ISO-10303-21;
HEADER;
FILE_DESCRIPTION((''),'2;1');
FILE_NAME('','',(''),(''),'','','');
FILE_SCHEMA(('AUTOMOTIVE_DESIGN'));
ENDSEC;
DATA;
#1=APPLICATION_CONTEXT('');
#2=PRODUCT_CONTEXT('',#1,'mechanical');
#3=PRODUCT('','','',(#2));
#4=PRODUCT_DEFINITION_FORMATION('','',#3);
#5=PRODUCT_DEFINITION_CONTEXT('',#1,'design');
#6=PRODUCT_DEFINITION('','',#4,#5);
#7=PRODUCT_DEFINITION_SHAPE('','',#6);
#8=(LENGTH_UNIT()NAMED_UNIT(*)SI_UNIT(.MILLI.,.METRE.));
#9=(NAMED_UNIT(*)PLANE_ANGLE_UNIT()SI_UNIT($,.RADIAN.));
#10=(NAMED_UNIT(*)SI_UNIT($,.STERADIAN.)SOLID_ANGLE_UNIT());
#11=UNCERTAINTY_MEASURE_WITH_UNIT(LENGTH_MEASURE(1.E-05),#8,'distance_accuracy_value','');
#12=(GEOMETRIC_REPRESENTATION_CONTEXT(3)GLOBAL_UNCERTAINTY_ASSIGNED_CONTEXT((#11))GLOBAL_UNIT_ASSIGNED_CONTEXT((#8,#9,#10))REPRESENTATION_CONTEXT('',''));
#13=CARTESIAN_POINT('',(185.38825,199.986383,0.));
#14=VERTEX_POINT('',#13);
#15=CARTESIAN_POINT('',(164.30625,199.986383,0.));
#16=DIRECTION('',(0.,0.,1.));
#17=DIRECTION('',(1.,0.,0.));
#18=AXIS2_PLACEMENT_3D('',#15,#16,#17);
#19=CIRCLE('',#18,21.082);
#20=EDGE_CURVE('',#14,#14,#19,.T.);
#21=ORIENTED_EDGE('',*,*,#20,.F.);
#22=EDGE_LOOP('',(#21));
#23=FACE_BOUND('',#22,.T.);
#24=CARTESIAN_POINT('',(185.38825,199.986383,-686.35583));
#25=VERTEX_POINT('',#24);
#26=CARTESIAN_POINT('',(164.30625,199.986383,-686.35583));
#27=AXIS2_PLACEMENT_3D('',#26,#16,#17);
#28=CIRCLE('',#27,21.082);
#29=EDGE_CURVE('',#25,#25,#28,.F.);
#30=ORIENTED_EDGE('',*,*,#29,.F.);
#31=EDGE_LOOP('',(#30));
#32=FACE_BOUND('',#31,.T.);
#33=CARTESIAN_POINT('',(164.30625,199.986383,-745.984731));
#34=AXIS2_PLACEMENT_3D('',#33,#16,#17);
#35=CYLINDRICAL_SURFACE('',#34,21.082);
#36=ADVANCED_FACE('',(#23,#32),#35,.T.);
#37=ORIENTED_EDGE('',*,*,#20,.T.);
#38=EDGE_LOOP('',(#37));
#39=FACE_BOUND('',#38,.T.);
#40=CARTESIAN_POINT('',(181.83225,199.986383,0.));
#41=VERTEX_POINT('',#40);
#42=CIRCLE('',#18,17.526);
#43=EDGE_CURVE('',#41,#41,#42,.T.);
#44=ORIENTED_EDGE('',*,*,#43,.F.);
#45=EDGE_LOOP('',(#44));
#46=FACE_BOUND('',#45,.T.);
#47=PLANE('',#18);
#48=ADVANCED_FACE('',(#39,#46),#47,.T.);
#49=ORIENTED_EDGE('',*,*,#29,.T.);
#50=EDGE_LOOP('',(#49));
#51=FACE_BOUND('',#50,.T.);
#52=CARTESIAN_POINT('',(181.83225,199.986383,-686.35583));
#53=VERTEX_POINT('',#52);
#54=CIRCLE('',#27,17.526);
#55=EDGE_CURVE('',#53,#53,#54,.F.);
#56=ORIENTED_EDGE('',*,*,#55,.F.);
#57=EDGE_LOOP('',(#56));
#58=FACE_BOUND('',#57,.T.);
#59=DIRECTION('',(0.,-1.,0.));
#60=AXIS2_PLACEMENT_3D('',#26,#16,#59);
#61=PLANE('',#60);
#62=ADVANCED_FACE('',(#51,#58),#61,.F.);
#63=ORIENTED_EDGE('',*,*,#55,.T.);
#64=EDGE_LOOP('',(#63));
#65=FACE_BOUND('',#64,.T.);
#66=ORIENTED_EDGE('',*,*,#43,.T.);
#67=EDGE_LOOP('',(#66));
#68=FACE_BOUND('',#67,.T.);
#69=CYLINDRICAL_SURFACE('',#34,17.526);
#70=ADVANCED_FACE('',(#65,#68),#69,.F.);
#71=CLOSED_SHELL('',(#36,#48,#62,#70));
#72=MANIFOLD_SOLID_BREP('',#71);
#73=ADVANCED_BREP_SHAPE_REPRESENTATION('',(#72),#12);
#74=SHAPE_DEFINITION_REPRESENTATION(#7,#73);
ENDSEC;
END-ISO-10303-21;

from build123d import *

# Parameters (mm, degrees)
SKETCH1_R           = 21.082
SKETCH1_R_2         = 17.526
BOSS_EXTRUDE1_DEPTH = 686.35583


with BuildPart() as part:
    # Sketch1 → Boss-Extrude1 (new body)
    with BuildSketch(Plane.XY):
        with Locations((164.30625, 199.986383101)):
            Circle(SKETCH1_R)
        with Locations((164.30625, 199.986383101)):
            Circle(SKETCH1_R_2, mode=Mode.SUBTRACT)
    extrude(amount=-BOSS_EXTRUDE1_DEPTH)


solid = part.part
